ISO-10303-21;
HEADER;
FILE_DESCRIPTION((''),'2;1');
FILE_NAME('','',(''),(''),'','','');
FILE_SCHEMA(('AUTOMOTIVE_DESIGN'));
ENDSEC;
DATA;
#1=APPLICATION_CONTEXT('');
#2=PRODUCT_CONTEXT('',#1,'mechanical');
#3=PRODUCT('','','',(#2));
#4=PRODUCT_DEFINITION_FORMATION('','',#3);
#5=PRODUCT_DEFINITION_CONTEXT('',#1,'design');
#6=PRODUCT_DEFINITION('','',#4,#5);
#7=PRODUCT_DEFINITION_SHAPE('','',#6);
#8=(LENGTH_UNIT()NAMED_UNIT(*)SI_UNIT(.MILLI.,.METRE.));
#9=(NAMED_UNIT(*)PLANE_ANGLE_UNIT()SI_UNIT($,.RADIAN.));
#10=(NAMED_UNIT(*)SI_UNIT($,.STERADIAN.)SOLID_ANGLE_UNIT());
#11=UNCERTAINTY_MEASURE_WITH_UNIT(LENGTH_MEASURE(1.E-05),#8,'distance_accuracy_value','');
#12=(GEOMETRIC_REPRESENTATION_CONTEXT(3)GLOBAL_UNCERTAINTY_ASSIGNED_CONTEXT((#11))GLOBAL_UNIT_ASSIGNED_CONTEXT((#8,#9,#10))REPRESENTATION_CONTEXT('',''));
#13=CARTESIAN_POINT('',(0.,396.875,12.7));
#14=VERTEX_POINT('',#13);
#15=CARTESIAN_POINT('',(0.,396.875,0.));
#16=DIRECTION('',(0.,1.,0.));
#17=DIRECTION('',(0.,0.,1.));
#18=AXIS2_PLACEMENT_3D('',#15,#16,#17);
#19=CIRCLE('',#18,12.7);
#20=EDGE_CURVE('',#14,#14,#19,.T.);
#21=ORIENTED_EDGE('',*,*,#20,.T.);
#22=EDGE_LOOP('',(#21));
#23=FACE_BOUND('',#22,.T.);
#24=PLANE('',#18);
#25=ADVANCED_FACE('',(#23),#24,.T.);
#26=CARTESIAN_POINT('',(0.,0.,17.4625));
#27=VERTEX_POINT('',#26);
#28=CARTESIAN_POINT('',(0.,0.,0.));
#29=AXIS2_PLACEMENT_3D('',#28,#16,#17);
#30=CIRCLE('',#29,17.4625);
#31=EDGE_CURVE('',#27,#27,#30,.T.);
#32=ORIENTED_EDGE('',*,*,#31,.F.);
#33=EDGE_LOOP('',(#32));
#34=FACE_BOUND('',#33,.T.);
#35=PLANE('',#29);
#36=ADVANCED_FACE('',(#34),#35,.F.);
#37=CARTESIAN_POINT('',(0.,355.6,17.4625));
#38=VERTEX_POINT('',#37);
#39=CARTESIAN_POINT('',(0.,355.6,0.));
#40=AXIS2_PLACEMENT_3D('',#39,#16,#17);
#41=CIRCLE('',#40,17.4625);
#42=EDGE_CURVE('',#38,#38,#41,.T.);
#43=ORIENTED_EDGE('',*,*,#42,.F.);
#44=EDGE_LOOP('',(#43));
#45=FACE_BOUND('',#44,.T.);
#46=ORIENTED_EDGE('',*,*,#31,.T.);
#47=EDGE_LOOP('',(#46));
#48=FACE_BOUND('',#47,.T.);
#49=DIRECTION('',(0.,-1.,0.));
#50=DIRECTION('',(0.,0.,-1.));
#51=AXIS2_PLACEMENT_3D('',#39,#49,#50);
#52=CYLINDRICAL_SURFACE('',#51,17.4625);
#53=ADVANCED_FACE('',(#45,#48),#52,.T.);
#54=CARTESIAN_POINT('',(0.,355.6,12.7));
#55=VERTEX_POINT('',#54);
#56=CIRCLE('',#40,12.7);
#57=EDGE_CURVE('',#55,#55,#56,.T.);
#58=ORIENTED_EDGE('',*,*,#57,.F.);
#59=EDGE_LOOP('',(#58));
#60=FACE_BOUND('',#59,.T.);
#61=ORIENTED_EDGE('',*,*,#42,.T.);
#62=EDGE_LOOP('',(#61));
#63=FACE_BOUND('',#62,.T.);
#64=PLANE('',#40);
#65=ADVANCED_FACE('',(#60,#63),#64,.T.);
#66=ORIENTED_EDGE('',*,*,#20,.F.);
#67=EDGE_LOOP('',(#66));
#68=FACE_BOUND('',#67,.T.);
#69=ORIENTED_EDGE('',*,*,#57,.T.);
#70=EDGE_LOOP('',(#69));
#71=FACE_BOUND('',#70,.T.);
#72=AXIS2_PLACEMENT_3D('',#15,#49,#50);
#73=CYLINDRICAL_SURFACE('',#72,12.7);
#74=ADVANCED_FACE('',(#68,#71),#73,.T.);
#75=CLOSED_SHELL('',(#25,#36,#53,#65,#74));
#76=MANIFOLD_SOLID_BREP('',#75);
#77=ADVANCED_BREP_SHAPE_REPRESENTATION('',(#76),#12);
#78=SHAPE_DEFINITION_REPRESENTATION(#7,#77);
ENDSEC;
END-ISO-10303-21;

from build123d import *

# Parameters (mm, degrees)
SKETCH1_R           = 17.4625
BASE_EXTRUDE_DEPTH  = 355.6
SKETCH2_R           = 12.7
BOSS_EXTRUDE1_DEPTH = 41.275


with BuildPart() as part:
    # Sketch1 → Base-Extrude (new body)
    with BuildSketch(Plane(origin=(0, 0, 0), x_dir=(1, 0, 0), z_dir=(0, 1, 0))):
        with Locations(Location((0, 0, 0), (0, 0, 270))):
            Circle(SKETCH1_R)
    extrude(amount=BASE_EXTRUDE_DEPTH)

    # Sketch2 → Boss-Extrude1 (add)
    with BuildSketch(Plane(origin=(0, 355.6, 0), x_dir=(-1, 0, 0), z_dir=(0, 1, 0))):
        with Locations(Location((0, 0, 0), (0, 0, 90))):
            Circle(SKETCH2_R)
    extrude(amount=BOSS_EXTRUDE1_DEPTH)


solid = part.part
